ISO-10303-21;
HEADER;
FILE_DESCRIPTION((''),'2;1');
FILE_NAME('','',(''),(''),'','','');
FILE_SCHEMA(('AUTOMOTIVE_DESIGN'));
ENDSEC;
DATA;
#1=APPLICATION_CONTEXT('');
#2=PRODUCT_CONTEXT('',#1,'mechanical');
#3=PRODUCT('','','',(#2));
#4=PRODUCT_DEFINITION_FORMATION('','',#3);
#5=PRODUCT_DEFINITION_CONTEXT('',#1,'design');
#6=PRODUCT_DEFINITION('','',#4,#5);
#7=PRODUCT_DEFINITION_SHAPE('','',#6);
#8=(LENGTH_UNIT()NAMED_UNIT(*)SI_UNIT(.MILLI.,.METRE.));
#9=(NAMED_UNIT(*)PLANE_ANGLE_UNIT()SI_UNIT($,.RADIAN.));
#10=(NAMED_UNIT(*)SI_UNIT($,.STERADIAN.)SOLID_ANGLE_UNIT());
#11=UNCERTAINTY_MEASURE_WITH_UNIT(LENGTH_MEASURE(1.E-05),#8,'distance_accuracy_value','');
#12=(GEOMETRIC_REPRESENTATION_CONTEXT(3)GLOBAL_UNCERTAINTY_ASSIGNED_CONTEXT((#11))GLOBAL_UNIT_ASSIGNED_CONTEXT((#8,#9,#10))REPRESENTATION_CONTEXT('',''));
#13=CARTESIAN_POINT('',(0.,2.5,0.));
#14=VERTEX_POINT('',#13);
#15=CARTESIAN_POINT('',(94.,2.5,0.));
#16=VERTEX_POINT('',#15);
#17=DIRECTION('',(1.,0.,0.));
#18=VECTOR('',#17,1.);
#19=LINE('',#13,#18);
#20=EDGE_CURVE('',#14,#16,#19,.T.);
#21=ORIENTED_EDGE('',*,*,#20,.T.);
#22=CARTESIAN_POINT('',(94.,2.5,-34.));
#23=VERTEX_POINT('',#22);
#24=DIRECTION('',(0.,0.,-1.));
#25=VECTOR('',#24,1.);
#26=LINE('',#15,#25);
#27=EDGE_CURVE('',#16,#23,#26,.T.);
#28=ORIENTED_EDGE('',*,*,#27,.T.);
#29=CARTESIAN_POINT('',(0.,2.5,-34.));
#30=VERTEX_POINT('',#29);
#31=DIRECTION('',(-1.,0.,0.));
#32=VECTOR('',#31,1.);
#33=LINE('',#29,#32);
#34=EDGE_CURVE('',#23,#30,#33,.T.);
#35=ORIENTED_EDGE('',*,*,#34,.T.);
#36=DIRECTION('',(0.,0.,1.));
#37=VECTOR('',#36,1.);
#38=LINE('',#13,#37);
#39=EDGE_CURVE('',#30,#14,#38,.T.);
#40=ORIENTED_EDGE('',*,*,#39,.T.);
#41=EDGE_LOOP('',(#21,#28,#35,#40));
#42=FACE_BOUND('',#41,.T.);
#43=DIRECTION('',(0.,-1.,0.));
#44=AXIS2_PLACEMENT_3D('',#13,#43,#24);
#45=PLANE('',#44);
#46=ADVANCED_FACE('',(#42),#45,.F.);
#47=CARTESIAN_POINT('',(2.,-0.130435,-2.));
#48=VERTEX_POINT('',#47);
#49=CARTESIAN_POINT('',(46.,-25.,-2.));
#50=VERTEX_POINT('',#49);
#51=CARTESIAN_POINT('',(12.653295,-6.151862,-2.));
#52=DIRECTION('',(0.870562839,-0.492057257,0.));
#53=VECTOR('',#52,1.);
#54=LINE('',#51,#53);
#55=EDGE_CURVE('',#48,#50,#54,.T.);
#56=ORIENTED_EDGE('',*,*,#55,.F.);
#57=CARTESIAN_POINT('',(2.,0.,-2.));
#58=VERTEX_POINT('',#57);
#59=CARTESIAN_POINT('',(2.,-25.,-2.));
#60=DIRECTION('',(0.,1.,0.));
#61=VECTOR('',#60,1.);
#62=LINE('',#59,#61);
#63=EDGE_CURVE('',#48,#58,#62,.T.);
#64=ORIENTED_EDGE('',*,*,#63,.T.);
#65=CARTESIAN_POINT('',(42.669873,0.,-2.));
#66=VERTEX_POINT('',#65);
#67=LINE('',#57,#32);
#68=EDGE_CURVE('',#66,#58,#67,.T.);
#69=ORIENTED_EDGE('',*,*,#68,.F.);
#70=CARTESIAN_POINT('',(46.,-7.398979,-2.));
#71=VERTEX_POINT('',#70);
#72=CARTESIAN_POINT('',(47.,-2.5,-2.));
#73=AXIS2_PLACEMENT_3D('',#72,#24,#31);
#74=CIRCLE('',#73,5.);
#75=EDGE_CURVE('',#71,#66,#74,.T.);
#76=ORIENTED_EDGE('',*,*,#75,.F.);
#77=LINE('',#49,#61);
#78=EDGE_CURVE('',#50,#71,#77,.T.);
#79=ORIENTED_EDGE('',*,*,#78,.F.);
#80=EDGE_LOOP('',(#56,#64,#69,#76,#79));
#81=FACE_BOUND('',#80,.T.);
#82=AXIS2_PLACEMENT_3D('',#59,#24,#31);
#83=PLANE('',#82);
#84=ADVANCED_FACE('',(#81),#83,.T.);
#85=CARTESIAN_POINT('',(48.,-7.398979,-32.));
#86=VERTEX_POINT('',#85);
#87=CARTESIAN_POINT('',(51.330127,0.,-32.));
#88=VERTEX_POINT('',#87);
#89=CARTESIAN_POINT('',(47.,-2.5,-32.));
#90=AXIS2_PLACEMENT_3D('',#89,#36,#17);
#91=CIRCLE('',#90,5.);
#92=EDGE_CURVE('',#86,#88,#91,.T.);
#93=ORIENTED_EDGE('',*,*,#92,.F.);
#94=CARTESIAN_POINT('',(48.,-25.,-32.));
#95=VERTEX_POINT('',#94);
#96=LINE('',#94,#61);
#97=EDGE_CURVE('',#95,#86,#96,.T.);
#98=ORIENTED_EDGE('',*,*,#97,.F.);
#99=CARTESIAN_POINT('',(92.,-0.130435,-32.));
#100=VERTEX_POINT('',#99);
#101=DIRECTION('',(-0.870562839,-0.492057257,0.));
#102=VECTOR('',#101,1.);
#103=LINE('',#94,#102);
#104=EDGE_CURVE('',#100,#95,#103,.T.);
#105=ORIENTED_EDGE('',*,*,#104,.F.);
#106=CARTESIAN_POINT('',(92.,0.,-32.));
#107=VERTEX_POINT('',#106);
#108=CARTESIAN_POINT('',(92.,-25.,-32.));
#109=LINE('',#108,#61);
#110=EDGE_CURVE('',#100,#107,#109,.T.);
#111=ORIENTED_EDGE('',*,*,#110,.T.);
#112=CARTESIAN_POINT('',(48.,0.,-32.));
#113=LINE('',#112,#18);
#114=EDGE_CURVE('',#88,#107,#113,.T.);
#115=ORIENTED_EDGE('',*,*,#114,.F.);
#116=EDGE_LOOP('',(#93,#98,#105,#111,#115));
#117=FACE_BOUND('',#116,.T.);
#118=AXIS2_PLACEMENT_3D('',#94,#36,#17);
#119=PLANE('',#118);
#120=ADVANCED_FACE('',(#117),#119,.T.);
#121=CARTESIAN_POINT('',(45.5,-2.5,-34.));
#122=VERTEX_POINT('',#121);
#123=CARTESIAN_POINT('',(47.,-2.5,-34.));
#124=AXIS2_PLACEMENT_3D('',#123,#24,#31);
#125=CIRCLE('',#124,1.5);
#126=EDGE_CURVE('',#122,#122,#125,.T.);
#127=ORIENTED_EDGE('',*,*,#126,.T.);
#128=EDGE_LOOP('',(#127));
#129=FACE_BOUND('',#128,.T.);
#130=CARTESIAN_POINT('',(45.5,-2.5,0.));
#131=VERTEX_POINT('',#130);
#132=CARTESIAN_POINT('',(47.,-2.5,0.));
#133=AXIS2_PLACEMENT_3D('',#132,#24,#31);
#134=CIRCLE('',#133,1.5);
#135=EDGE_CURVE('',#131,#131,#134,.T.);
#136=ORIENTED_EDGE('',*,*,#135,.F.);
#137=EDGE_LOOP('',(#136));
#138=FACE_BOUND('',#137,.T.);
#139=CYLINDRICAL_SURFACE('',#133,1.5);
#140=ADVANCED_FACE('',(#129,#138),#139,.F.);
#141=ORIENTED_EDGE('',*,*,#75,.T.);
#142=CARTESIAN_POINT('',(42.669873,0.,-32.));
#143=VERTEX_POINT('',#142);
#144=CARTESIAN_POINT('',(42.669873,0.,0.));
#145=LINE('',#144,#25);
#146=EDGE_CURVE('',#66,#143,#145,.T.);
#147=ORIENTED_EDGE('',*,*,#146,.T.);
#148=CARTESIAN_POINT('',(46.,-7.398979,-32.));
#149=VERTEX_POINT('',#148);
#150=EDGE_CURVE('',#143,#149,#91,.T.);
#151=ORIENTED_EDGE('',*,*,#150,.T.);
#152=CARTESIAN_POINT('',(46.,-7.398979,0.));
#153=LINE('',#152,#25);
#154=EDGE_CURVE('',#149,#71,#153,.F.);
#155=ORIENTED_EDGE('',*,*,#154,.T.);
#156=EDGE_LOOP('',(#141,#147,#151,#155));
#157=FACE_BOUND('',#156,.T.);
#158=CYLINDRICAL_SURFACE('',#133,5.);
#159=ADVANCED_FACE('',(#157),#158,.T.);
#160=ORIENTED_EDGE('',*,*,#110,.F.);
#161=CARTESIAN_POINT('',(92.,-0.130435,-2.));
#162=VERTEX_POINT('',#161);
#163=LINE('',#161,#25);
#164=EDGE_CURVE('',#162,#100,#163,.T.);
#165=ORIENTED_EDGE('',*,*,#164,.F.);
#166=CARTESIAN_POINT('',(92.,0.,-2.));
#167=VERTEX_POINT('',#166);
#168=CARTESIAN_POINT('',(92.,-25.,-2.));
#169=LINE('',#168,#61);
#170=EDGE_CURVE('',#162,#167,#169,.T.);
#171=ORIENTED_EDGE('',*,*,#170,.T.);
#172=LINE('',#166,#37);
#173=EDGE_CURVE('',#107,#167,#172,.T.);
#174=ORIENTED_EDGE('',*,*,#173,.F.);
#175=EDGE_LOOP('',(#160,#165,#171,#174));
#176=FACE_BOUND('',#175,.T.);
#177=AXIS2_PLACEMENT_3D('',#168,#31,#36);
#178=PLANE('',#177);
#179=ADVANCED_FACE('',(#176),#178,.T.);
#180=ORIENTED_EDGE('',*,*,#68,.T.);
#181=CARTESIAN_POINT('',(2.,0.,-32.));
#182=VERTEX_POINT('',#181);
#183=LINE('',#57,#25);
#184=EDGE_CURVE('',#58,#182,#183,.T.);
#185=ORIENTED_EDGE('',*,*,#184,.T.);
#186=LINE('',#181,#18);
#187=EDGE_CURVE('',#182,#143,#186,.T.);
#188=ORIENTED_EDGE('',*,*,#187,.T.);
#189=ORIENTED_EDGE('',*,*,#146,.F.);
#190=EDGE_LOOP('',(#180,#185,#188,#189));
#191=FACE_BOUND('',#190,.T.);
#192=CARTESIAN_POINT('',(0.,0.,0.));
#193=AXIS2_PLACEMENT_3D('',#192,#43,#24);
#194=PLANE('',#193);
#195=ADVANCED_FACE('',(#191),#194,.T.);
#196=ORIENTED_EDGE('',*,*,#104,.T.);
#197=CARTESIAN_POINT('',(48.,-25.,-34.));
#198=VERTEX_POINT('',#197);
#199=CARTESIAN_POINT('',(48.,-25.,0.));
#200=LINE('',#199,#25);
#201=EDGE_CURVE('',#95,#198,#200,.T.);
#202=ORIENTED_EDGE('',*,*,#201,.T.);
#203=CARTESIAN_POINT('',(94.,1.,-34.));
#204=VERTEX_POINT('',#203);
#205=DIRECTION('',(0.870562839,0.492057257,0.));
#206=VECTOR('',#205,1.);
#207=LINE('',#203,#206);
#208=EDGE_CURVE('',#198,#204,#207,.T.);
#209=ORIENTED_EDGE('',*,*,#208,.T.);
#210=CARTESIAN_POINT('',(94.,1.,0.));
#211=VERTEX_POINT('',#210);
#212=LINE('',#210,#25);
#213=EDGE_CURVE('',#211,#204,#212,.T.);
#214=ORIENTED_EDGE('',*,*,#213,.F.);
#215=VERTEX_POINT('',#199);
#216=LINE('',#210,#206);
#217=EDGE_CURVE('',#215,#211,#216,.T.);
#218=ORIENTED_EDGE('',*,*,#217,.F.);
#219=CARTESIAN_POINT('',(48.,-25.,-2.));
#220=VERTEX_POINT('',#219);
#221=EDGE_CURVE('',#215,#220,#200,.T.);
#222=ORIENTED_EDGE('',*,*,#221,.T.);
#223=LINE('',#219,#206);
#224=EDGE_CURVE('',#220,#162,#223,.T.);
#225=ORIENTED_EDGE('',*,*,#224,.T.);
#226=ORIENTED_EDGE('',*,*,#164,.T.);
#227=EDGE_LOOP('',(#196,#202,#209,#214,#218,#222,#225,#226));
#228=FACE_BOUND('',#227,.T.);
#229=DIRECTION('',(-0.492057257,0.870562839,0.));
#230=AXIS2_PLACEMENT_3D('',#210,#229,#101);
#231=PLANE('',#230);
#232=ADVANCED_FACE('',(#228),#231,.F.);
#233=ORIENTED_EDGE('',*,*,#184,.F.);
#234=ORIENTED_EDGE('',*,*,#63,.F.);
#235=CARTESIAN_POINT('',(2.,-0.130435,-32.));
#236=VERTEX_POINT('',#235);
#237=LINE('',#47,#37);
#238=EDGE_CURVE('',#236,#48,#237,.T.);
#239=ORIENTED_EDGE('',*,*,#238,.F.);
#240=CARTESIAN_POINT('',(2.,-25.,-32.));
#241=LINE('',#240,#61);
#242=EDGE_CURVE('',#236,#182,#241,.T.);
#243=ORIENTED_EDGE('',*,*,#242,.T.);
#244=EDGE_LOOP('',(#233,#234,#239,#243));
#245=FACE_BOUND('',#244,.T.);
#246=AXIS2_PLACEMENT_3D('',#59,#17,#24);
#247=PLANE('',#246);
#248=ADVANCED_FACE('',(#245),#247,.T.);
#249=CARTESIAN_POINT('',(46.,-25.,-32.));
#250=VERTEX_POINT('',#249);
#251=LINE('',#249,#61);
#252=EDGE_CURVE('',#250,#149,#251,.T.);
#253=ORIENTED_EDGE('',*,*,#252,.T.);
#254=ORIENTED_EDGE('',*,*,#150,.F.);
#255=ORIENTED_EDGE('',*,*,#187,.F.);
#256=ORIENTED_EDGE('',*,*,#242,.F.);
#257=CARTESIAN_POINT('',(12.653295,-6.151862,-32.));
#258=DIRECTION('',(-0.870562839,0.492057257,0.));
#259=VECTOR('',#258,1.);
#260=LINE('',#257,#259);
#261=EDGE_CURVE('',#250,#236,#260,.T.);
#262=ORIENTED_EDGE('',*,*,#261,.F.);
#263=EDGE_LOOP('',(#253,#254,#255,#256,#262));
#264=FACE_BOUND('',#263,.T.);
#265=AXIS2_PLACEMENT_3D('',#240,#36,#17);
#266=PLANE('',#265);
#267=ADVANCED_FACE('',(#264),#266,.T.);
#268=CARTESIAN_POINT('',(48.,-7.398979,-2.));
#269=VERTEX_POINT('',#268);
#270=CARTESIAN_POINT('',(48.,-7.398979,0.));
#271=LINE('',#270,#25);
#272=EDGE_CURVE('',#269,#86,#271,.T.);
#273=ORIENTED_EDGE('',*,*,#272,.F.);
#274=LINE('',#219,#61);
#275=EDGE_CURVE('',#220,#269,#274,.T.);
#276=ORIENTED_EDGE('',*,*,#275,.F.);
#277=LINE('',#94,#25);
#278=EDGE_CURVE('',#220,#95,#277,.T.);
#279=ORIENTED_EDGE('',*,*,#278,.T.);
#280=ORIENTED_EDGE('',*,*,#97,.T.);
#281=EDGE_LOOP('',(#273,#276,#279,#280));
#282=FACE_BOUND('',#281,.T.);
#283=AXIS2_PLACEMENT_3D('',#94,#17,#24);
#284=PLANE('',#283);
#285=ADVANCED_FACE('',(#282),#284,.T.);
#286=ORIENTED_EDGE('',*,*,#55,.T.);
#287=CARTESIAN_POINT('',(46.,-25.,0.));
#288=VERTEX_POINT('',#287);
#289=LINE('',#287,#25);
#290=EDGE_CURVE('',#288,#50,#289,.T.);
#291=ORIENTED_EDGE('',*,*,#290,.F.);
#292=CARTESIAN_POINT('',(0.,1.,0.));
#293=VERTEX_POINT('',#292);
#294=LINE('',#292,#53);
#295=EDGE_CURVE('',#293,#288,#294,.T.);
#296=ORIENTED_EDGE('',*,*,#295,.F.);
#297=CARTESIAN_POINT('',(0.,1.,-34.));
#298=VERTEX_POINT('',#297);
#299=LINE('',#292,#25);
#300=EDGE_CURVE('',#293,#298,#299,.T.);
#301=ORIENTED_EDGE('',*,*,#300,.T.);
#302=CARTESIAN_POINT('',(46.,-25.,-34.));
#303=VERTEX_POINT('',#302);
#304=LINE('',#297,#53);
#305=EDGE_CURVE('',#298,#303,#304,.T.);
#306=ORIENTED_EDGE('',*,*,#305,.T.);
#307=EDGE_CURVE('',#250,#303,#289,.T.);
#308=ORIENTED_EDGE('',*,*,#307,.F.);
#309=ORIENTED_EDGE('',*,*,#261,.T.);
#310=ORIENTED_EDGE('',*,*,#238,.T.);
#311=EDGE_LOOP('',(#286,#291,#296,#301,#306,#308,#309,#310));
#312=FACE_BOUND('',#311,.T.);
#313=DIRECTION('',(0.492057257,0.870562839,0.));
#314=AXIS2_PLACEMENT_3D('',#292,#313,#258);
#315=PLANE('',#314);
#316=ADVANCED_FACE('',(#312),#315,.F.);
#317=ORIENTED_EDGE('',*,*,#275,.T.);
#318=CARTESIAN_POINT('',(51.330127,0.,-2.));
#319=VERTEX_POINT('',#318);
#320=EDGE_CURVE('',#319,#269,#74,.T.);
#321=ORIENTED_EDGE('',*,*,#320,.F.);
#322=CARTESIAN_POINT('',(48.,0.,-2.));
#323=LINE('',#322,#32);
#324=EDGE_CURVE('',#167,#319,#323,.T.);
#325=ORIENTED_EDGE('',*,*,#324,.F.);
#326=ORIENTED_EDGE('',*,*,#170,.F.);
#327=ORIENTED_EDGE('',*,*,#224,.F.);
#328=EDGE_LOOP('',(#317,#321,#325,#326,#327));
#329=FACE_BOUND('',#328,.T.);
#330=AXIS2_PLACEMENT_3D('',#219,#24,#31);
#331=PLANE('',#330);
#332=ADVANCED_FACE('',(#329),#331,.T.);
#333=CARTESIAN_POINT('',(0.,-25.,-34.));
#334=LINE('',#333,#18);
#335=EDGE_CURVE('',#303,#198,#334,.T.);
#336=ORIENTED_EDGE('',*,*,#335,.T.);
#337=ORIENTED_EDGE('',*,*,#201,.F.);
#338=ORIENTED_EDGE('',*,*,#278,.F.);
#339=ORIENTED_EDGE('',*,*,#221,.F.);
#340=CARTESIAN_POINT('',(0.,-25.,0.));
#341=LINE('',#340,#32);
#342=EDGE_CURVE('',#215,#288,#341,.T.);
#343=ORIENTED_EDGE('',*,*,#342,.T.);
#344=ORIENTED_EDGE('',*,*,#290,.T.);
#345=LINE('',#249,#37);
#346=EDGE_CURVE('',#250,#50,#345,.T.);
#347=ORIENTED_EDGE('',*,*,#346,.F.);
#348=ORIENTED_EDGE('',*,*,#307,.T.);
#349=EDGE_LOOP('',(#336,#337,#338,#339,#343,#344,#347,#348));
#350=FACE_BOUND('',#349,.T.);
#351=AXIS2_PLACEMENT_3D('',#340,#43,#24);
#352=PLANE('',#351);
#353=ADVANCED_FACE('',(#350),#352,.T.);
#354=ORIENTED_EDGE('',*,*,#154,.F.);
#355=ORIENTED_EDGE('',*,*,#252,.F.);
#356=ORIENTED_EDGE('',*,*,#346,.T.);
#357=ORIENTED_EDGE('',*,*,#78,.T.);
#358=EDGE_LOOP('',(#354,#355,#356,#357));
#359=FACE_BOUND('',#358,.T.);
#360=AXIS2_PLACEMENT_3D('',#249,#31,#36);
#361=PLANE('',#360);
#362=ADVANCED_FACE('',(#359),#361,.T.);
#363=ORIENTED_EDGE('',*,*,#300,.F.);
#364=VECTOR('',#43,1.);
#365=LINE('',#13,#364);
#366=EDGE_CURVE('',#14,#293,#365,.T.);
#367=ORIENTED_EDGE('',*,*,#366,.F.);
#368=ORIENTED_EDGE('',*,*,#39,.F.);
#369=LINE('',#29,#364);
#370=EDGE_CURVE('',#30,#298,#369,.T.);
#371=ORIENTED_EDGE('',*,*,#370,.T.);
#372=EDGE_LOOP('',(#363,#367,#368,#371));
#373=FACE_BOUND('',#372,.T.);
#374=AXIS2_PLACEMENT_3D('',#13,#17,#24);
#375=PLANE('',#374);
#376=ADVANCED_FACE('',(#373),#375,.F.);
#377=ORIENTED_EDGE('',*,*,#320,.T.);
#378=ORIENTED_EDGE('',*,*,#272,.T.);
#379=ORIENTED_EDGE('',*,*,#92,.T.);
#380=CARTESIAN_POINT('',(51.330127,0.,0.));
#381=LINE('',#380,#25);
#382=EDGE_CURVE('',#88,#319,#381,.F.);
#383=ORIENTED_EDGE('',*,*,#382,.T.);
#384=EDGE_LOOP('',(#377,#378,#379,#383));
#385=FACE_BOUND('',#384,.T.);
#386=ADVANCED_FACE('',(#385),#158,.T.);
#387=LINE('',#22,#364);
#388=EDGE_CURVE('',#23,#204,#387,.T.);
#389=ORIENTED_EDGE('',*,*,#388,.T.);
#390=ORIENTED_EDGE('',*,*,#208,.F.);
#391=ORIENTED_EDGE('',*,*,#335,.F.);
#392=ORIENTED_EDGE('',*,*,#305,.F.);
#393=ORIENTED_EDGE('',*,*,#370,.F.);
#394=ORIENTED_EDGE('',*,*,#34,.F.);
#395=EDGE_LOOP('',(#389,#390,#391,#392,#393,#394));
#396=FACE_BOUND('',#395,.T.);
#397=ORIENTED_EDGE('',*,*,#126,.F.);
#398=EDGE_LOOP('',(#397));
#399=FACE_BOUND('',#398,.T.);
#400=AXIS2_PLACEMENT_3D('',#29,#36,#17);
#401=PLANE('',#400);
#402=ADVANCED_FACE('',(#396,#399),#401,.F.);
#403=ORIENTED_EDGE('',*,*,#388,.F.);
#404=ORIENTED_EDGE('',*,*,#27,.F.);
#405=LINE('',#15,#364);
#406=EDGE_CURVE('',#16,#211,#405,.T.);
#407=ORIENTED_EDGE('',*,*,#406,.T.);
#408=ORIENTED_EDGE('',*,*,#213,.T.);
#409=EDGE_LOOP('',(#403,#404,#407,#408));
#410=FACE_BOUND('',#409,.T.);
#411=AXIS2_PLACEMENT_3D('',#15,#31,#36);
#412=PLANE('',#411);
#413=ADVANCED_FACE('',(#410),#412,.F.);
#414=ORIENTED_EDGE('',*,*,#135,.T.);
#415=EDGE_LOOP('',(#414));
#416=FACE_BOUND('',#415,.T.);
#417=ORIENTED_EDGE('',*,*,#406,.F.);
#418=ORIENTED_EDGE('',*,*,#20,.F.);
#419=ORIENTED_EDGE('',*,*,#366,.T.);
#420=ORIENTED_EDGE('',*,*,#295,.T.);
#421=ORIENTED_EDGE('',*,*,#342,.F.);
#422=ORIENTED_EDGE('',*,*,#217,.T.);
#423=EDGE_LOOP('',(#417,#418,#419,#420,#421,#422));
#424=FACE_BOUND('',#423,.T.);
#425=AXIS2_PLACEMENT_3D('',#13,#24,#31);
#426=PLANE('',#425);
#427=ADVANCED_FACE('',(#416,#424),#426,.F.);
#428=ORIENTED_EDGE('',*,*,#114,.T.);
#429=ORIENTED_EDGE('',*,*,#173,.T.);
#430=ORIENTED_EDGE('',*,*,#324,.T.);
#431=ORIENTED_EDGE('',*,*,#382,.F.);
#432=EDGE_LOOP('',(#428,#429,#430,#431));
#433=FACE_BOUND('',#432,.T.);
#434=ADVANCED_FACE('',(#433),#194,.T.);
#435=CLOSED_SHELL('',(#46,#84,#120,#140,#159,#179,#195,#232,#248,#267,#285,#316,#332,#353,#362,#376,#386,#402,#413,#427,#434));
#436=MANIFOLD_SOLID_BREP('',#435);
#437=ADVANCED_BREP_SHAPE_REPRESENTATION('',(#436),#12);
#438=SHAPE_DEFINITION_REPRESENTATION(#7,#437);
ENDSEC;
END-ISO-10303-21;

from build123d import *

# Parameters (mm, degrees)
SKETCH_1_W          = 94
SKETCH_1_H          = 34
EXTRUDE_1_DEPTH     = 2.5
SKETCH_2_W          = 94
SKETCH_2_H          = 34
SKETCH_2_W_2        = 44
SKETCH_2_H_2        = 30
EXTRUDE_2_DEPTH     = 25
CUT_EXTRUDE_1_DEPTH = 104.038827633
SKETCH_7_R          = 5
EXTRUDE_4_DEPTH     = 34
SKETCH_8_R          = 1.5
CUT_EXTRUDE_2_DEPTH = 104.038827633


with BuildPart() as part:
    # 草图1 → 凸台-拉伸1 (new body)
    with BuildSketch(Plane(origin=(0, 0, 0), x_dir=(1, 0, 0), z_dir=(0, 1, 0))):
        with Locations((47, 17)):
            Rectangle(SKETCH_1_W, SKETCH_1_H)
    extrude(amount=EXTRUDE_1_DEPTH)

    # 草图2 → 凸台-拉伸2 (add)
    with BuildSketch(Plane(origin=(0, 0, 0), x_dir=(-1, 0, 0), z_dir=(0, -1, 0))):
        with Locations((-47, 17)):
            Rectangle(SKETCH_2_W, SKETCH_2_H)
        with Locations((-24, 17)):
            Rectangle(SKETCH_2_W_2, SKETCH_2_H_2, mode=Mode.SUBTRACT)
        with Locations((-70, 17)):
            Rectangle(SKETCH_2_W_2, SKETCH_2_H_2, mode=Mode.SUBTRACT)
    extrude(amount=EXTRUDE_2_DEPTH)

    # 草图6 → 切除-拉伸1 (cut, through all)
    with BuildSketch(Plane(origin=(0, 0, -34), x_dir=(-1, 0, 0), z_dir=(0, 0, -1))):
        Polygon((0, -25), (0, 1), (-46, -25), align=None)
        Polygon((-94, -25), (-94, 1), (-48, -25), align=None)
    extrude(amount=-CUT_EXTRUDE_1_DEPTH, mode=Mode.SUBTRACT)

    # 草图7 → 凸台-拉伸4 (add)
    with BuildSketch(Plane(origin=(0, 0, -34), x_dir=(-1, 0, 0), z_dir=(0, 0, -1))):
        with Locations((-47, -2.5)):
            Circle(SKETCH_7_R)
    extrude(amount=-EXTRUDE_4_DEPTH)

    # 草图8 → 切除-拉伸2 (cut, through all)
    with BuildSketch(Plane(origin=(0, 0, -34), x_dir=(-1, 0, 0), z_dir=(0, 0, -1))):
        with Locations((-47, -2.5)):
            Circle(SKETCH_8_R)
    extrude(amount=-CUT_EXTRUDE_2_DEPTH, mode=Mode.SUBTRACT)


solid = part.part
